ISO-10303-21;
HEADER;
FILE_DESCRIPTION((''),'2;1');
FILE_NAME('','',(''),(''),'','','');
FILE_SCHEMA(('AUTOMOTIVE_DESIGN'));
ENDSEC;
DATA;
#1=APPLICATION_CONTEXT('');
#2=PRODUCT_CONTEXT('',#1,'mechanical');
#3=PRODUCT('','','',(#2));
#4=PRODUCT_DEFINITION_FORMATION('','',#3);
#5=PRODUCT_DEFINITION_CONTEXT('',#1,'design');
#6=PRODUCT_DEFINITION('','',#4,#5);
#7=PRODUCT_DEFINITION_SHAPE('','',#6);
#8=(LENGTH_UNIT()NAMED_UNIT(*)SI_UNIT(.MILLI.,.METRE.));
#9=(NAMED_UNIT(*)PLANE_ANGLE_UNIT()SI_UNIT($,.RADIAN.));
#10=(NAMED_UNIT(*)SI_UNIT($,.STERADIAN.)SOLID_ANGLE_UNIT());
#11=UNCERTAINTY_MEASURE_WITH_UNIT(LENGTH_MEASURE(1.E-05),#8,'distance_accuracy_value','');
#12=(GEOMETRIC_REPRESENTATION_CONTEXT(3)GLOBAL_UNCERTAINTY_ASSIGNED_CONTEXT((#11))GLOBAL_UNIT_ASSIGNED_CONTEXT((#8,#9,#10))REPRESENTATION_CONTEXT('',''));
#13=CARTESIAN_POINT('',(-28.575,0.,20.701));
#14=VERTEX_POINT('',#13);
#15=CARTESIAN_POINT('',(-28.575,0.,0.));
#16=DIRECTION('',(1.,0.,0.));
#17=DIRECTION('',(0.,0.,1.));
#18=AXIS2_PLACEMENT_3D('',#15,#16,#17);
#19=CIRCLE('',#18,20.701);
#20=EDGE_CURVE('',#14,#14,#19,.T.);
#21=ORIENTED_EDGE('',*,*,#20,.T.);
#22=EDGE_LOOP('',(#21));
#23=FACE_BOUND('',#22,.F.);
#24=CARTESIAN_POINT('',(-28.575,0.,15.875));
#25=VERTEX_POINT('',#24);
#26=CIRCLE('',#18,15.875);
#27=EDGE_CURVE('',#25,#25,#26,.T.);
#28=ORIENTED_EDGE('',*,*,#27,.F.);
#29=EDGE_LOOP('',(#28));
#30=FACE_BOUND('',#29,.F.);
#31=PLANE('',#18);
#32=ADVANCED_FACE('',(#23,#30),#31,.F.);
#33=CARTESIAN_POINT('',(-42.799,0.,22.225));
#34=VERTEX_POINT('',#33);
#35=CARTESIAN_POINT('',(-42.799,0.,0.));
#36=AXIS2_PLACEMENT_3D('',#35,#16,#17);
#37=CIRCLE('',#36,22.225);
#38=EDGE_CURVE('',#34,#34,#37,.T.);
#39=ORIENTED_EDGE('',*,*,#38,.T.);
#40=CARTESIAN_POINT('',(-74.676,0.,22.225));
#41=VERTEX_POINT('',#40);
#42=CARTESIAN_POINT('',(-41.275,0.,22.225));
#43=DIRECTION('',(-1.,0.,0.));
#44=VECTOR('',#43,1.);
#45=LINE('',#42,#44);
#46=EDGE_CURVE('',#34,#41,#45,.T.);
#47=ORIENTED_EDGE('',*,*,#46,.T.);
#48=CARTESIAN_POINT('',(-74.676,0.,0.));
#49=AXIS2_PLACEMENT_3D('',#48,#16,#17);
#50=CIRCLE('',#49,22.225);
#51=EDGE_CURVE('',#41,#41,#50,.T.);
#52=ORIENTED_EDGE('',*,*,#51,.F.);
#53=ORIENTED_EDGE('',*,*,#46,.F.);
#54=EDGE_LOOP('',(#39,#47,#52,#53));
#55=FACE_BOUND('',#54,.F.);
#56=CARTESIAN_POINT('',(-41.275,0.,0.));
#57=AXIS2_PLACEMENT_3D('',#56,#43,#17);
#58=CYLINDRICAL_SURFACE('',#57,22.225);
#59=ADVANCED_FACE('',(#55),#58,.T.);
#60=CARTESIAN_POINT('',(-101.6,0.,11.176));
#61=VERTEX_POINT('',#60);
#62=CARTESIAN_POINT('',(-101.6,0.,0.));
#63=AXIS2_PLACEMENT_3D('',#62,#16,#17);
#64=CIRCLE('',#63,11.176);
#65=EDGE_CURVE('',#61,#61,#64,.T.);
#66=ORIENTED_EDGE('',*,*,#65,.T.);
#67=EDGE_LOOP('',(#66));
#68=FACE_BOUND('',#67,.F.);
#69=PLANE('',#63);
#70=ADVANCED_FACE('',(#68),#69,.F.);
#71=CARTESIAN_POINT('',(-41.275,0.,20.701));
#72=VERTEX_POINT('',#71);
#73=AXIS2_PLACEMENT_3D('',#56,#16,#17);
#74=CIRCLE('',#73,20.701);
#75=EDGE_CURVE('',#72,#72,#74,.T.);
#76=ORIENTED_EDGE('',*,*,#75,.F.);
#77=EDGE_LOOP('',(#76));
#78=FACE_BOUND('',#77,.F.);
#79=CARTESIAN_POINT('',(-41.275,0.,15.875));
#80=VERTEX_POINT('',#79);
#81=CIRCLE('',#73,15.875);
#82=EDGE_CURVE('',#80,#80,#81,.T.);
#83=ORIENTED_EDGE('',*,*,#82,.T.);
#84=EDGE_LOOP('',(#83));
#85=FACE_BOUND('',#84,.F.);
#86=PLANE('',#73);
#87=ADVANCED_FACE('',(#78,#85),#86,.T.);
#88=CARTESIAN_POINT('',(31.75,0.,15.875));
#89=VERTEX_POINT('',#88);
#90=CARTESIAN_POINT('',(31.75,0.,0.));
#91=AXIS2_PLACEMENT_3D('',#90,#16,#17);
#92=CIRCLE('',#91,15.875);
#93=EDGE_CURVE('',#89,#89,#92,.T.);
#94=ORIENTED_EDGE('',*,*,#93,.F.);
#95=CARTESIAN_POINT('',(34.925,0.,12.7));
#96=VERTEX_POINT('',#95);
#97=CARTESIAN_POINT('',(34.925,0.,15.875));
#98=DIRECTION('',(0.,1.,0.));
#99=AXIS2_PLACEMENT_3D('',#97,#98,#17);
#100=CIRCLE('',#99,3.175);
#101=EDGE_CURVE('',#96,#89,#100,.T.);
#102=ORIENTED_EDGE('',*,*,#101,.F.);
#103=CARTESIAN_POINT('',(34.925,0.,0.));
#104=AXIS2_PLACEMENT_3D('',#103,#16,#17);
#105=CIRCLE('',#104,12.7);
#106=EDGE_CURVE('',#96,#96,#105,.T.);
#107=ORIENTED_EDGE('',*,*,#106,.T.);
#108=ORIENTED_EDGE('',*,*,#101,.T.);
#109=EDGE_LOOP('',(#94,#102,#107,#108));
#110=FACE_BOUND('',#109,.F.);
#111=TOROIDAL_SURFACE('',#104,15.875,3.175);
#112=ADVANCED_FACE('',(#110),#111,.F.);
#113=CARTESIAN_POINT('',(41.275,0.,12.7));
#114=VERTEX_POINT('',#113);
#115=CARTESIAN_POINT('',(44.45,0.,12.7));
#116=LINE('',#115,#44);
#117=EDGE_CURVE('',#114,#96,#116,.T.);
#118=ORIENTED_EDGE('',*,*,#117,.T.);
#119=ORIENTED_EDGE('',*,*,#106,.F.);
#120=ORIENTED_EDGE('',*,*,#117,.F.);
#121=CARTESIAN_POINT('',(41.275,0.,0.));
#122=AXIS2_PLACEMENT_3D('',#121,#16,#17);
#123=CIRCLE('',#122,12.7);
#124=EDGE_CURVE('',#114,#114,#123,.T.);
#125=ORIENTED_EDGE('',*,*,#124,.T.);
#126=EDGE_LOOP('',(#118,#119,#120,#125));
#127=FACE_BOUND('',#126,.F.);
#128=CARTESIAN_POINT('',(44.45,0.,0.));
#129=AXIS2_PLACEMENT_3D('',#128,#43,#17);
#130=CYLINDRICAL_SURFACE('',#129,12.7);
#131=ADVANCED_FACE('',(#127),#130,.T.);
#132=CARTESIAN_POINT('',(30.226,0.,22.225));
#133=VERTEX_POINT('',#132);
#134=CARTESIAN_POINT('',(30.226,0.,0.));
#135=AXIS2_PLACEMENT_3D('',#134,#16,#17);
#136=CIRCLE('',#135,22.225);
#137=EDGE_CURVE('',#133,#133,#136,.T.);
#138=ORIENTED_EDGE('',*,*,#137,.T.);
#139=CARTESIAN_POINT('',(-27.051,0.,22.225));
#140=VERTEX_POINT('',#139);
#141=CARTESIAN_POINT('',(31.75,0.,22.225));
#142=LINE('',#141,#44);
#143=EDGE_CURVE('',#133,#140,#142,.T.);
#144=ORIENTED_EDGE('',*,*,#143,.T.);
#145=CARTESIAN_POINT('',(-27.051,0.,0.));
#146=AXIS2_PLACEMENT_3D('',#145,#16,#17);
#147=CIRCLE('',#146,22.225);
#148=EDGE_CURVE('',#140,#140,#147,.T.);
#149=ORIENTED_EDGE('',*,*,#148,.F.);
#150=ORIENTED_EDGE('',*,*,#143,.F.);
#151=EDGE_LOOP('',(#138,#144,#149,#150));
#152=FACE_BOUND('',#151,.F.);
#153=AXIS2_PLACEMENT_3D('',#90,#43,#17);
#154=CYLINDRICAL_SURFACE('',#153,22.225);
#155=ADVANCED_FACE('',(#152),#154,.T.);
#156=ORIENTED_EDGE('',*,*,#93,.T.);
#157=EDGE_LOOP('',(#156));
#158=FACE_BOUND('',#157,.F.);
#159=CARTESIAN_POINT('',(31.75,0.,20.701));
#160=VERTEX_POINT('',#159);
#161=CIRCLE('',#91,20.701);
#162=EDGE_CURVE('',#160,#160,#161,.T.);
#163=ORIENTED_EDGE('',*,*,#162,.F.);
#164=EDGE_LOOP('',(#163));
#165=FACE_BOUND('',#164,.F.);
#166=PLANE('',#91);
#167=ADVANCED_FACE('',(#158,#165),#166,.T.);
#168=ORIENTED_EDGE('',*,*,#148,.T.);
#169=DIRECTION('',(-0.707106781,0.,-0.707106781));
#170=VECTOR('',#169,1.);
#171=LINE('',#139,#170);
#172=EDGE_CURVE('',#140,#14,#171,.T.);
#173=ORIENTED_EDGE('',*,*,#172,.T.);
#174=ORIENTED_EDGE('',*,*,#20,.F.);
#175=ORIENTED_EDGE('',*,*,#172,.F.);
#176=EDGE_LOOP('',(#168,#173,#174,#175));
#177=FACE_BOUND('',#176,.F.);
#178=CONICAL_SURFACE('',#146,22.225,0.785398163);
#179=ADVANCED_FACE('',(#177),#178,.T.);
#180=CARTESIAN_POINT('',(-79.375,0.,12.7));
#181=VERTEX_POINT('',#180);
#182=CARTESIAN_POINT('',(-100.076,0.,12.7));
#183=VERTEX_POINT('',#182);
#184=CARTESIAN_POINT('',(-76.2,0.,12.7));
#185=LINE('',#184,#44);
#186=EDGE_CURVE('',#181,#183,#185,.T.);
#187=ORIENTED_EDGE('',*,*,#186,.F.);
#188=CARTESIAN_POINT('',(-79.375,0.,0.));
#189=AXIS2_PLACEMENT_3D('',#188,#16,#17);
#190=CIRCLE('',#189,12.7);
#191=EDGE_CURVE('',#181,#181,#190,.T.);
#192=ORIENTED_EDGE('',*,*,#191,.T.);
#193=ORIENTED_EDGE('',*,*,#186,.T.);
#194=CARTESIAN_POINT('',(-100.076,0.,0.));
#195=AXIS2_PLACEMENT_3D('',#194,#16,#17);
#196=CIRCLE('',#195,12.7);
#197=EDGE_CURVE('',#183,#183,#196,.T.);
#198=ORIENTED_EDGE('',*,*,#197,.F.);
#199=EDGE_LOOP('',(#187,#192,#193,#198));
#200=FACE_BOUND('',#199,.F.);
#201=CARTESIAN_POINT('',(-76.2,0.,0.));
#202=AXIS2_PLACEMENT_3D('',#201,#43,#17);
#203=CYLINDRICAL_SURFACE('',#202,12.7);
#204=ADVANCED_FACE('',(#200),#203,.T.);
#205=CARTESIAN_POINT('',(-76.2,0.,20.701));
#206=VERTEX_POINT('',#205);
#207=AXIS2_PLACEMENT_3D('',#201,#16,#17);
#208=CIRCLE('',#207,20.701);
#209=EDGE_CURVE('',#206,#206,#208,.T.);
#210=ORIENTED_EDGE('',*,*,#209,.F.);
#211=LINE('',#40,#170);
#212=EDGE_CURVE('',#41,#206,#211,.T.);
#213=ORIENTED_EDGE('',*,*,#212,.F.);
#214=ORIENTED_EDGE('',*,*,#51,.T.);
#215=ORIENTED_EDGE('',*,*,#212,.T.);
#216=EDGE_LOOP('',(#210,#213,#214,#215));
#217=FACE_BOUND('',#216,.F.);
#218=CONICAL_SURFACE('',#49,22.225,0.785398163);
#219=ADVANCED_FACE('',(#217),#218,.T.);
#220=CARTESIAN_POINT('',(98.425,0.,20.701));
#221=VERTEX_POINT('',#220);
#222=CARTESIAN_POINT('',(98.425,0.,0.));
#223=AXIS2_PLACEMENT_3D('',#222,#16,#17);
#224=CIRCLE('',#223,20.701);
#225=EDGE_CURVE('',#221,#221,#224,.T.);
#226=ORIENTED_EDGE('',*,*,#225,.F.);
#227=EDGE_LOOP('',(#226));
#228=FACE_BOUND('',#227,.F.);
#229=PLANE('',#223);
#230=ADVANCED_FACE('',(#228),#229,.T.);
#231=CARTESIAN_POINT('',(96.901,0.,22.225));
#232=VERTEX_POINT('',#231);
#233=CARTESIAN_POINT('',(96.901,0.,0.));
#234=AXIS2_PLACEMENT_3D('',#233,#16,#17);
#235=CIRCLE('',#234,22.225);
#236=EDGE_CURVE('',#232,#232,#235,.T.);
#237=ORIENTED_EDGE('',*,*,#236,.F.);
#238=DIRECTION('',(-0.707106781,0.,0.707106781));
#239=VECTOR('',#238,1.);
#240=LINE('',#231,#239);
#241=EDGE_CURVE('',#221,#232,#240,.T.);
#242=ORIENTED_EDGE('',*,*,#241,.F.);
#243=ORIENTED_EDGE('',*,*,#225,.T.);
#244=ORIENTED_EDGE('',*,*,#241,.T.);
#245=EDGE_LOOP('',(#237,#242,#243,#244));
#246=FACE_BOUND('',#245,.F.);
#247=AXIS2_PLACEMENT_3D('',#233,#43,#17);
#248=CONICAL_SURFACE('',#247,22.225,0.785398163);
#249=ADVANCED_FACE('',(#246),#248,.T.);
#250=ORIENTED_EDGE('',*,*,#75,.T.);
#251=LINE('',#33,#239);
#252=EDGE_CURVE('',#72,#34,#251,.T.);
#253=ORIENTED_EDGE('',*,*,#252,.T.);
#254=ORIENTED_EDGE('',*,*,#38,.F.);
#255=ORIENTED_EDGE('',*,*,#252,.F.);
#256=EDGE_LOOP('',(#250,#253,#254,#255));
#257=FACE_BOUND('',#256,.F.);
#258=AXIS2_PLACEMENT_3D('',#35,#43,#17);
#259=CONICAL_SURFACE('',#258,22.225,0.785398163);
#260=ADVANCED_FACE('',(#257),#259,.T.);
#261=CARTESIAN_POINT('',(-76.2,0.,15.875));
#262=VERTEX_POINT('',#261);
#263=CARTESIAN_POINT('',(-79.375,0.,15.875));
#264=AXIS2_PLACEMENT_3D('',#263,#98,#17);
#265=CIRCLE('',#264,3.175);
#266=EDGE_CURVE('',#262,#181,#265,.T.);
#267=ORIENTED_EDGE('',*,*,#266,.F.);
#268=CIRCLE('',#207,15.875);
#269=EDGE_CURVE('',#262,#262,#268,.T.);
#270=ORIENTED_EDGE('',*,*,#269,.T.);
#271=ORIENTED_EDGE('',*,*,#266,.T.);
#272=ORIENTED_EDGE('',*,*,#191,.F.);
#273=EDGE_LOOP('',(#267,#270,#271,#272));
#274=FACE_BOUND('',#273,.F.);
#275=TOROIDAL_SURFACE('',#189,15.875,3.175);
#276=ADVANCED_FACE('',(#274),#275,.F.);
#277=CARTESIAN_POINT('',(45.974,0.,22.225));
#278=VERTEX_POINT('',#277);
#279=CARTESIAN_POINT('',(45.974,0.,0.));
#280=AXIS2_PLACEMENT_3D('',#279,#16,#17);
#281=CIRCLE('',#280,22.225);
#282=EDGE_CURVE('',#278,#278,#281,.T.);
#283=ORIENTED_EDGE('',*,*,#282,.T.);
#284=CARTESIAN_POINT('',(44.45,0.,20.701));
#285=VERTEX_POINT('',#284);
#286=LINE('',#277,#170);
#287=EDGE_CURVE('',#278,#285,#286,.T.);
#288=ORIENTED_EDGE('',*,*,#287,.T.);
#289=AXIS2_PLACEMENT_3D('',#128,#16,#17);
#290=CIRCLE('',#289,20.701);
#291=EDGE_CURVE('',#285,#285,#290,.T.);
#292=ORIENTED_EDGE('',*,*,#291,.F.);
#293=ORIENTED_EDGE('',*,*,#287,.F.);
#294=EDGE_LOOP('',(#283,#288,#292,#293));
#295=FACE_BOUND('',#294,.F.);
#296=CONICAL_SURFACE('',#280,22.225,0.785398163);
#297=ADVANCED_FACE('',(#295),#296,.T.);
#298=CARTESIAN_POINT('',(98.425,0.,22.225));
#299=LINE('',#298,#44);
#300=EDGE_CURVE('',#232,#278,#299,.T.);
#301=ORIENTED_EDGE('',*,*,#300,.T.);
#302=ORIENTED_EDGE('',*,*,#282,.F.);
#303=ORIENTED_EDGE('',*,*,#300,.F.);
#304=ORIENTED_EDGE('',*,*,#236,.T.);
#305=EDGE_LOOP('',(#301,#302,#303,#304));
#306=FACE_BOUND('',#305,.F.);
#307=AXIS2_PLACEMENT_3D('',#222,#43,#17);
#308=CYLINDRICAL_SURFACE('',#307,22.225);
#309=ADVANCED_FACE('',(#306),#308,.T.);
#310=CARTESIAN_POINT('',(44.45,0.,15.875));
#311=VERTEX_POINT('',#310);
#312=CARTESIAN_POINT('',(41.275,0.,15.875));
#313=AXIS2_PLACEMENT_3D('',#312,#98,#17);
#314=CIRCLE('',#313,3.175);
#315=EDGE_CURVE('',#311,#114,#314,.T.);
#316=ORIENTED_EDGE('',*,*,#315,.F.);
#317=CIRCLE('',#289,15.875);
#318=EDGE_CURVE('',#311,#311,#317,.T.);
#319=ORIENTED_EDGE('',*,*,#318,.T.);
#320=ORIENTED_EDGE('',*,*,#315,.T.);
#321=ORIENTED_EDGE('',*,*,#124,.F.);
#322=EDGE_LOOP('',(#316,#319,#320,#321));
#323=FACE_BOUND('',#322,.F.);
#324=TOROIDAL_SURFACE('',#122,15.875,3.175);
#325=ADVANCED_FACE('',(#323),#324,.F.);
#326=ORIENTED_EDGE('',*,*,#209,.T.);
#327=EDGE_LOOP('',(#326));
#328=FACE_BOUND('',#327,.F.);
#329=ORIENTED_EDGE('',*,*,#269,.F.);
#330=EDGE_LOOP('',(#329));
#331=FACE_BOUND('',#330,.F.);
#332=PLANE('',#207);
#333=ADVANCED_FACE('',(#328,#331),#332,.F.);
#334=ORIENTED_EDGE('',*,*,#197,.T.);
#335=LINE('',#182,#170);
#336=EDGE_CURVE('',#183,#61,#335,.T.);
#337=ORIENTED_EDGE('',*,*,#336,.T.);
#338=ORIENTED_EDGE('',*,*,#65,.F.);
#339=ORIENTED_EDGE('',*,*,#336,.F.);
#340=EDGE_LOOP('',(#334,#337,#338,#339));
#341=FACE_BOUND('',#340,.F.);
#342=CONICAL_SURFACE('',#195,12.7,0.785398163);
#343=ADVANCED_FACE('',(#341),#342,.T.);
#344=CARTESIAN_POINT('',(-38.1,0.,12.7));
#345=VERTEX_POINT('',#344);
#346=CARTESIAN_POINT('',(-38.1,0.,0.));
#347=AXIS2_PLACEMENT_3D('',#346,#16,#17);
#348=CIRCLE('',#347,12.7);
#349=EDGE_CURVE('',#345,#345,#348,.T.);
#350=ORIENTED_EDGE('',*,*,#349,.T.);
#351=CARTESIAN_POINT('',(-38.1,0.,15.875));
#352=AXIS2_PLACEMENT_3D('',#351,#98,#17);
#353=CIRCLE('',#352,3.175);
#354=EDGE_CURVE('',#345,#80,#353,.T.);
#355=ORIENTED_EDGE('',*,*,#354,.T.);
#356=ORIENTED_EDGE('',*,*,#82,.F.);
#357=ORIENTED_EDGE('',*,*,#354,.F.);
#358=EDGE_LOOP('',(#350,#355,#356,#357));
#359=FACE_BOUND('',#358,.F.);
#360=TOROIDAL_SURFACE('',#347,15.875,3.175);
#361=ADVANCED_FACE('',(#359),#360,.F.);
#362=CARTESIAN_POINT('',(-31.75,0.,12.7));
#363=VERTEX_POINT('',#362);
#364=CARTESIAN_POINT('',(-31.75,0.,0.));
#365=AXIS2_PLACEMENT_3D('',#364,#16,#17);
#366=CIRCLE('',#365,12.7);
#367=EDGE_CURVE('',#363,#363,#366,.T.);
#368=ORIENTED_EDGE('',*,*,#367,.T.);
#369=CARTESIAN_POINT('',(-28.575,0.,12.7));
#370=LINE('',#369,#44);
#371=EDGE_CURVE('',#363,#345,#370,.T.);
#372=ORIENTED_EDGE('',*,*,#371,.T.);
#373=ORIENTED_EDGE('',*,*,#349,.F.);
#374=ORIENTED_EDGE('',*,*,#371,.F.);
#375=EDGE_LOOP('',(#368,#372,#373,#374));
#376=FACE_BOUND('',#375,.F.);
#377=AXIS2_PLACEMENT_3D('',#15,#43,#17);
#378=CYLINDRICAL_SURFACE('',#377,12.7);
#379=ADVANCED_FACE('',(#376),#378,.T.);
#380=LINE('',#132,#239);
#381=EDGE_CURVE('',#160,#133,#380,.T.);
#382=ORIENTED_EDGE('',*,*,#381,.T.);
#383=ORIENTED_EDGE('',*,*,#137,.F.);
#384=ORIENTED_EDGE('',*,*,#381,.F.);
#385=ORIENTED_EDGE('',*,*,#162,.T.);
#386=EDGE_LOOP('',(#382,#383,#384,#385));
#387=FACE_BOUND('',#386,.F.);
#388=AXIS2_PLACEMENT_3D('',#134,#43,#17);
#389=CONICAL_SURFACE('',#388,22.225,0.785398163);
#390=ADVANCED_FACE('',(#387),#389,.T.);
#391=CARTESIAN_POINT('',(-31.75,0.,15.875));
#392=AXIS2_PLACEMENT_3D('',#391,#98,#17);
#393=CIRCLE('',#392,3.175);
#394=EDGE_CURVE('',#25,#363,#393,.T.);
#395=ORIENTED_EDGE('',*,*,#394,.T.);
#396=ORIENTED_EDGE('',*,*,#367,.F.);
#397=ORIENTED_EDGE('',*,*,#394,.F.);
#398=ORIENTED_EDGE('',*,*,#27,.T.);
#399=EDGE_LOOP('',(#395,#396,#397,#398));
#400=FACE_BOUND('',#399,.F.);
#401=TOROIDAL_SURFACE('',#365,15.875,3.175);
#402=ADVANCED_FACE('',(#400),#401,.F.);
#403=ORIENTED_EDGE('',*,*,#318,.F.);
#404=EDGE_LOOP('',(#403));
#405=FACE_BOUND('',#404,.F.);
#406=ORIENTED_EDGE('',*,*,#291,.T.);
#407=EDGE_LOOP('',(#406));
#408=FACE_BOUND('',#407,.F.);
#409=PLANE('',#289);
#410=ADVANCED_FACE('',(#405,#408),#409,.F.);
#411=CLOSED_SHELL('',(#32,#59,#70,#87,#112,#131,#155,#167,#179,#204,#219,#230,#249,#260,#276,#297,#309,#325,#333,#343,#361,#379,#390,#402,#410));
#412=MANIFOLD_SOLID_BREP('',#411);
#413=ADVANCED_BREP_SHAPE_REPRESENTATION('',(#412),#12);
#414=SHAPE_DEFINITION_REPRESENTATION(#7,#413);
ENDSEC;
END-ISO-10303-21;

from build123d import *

# Parameters (mm, degrees)
F2_SIZE = 1.524
F3_R    = 3.175


with BuildPart() as f1:
    # F0 (on Front) → F1 (revolve)
    with BuildSketch(Plane.XZ):
        Polygon((-101.6, 0), (98.425, 0), (98.425, 22.225), (44.45, 22.225), (44.45, 12.7), (31.75, 12.7), (31.75, 22.225), (-28.575, 22.225), (-28.575, 12.7), (-41.275, 12.7), (-41.275, 22.225), (-76.2, 22.225), (-76.2, 12.7), (-101.6, 12.7), align=None)
    revolve(axis=Axis((-1.658771, 0, 0), (1, 0, 0)))

    # F2
    f2_edges = [f1.edges().sort_by_distance(p)[0] for p in [
        (-101.6, 0, -12.7),
        (-76.2, 0, -22.225),
        (-41.275, 0, -22.225),
        (-28.575, 0, -22.225),
        (31.75, 0, -22.225),
        (44.45, 0, -22.225),
        (98.425, 0, -22.225),
    ]]
    chamfer(f2_edges, length=F2_SIZE)

    # F3
    f3_edges = [f1.edges().sort_by_distance(p)[0] for p in [
        (-76.2, 0, -12.7),
        (-28.575, 0, -12.7),
        (44.45, 0, -12.7),
        (-41.275, 0, -12.7),
        (31.75, 0, -12.7),
    ]]
    fillet(f3_edges, radius=F3_R)


solid = f1.part
